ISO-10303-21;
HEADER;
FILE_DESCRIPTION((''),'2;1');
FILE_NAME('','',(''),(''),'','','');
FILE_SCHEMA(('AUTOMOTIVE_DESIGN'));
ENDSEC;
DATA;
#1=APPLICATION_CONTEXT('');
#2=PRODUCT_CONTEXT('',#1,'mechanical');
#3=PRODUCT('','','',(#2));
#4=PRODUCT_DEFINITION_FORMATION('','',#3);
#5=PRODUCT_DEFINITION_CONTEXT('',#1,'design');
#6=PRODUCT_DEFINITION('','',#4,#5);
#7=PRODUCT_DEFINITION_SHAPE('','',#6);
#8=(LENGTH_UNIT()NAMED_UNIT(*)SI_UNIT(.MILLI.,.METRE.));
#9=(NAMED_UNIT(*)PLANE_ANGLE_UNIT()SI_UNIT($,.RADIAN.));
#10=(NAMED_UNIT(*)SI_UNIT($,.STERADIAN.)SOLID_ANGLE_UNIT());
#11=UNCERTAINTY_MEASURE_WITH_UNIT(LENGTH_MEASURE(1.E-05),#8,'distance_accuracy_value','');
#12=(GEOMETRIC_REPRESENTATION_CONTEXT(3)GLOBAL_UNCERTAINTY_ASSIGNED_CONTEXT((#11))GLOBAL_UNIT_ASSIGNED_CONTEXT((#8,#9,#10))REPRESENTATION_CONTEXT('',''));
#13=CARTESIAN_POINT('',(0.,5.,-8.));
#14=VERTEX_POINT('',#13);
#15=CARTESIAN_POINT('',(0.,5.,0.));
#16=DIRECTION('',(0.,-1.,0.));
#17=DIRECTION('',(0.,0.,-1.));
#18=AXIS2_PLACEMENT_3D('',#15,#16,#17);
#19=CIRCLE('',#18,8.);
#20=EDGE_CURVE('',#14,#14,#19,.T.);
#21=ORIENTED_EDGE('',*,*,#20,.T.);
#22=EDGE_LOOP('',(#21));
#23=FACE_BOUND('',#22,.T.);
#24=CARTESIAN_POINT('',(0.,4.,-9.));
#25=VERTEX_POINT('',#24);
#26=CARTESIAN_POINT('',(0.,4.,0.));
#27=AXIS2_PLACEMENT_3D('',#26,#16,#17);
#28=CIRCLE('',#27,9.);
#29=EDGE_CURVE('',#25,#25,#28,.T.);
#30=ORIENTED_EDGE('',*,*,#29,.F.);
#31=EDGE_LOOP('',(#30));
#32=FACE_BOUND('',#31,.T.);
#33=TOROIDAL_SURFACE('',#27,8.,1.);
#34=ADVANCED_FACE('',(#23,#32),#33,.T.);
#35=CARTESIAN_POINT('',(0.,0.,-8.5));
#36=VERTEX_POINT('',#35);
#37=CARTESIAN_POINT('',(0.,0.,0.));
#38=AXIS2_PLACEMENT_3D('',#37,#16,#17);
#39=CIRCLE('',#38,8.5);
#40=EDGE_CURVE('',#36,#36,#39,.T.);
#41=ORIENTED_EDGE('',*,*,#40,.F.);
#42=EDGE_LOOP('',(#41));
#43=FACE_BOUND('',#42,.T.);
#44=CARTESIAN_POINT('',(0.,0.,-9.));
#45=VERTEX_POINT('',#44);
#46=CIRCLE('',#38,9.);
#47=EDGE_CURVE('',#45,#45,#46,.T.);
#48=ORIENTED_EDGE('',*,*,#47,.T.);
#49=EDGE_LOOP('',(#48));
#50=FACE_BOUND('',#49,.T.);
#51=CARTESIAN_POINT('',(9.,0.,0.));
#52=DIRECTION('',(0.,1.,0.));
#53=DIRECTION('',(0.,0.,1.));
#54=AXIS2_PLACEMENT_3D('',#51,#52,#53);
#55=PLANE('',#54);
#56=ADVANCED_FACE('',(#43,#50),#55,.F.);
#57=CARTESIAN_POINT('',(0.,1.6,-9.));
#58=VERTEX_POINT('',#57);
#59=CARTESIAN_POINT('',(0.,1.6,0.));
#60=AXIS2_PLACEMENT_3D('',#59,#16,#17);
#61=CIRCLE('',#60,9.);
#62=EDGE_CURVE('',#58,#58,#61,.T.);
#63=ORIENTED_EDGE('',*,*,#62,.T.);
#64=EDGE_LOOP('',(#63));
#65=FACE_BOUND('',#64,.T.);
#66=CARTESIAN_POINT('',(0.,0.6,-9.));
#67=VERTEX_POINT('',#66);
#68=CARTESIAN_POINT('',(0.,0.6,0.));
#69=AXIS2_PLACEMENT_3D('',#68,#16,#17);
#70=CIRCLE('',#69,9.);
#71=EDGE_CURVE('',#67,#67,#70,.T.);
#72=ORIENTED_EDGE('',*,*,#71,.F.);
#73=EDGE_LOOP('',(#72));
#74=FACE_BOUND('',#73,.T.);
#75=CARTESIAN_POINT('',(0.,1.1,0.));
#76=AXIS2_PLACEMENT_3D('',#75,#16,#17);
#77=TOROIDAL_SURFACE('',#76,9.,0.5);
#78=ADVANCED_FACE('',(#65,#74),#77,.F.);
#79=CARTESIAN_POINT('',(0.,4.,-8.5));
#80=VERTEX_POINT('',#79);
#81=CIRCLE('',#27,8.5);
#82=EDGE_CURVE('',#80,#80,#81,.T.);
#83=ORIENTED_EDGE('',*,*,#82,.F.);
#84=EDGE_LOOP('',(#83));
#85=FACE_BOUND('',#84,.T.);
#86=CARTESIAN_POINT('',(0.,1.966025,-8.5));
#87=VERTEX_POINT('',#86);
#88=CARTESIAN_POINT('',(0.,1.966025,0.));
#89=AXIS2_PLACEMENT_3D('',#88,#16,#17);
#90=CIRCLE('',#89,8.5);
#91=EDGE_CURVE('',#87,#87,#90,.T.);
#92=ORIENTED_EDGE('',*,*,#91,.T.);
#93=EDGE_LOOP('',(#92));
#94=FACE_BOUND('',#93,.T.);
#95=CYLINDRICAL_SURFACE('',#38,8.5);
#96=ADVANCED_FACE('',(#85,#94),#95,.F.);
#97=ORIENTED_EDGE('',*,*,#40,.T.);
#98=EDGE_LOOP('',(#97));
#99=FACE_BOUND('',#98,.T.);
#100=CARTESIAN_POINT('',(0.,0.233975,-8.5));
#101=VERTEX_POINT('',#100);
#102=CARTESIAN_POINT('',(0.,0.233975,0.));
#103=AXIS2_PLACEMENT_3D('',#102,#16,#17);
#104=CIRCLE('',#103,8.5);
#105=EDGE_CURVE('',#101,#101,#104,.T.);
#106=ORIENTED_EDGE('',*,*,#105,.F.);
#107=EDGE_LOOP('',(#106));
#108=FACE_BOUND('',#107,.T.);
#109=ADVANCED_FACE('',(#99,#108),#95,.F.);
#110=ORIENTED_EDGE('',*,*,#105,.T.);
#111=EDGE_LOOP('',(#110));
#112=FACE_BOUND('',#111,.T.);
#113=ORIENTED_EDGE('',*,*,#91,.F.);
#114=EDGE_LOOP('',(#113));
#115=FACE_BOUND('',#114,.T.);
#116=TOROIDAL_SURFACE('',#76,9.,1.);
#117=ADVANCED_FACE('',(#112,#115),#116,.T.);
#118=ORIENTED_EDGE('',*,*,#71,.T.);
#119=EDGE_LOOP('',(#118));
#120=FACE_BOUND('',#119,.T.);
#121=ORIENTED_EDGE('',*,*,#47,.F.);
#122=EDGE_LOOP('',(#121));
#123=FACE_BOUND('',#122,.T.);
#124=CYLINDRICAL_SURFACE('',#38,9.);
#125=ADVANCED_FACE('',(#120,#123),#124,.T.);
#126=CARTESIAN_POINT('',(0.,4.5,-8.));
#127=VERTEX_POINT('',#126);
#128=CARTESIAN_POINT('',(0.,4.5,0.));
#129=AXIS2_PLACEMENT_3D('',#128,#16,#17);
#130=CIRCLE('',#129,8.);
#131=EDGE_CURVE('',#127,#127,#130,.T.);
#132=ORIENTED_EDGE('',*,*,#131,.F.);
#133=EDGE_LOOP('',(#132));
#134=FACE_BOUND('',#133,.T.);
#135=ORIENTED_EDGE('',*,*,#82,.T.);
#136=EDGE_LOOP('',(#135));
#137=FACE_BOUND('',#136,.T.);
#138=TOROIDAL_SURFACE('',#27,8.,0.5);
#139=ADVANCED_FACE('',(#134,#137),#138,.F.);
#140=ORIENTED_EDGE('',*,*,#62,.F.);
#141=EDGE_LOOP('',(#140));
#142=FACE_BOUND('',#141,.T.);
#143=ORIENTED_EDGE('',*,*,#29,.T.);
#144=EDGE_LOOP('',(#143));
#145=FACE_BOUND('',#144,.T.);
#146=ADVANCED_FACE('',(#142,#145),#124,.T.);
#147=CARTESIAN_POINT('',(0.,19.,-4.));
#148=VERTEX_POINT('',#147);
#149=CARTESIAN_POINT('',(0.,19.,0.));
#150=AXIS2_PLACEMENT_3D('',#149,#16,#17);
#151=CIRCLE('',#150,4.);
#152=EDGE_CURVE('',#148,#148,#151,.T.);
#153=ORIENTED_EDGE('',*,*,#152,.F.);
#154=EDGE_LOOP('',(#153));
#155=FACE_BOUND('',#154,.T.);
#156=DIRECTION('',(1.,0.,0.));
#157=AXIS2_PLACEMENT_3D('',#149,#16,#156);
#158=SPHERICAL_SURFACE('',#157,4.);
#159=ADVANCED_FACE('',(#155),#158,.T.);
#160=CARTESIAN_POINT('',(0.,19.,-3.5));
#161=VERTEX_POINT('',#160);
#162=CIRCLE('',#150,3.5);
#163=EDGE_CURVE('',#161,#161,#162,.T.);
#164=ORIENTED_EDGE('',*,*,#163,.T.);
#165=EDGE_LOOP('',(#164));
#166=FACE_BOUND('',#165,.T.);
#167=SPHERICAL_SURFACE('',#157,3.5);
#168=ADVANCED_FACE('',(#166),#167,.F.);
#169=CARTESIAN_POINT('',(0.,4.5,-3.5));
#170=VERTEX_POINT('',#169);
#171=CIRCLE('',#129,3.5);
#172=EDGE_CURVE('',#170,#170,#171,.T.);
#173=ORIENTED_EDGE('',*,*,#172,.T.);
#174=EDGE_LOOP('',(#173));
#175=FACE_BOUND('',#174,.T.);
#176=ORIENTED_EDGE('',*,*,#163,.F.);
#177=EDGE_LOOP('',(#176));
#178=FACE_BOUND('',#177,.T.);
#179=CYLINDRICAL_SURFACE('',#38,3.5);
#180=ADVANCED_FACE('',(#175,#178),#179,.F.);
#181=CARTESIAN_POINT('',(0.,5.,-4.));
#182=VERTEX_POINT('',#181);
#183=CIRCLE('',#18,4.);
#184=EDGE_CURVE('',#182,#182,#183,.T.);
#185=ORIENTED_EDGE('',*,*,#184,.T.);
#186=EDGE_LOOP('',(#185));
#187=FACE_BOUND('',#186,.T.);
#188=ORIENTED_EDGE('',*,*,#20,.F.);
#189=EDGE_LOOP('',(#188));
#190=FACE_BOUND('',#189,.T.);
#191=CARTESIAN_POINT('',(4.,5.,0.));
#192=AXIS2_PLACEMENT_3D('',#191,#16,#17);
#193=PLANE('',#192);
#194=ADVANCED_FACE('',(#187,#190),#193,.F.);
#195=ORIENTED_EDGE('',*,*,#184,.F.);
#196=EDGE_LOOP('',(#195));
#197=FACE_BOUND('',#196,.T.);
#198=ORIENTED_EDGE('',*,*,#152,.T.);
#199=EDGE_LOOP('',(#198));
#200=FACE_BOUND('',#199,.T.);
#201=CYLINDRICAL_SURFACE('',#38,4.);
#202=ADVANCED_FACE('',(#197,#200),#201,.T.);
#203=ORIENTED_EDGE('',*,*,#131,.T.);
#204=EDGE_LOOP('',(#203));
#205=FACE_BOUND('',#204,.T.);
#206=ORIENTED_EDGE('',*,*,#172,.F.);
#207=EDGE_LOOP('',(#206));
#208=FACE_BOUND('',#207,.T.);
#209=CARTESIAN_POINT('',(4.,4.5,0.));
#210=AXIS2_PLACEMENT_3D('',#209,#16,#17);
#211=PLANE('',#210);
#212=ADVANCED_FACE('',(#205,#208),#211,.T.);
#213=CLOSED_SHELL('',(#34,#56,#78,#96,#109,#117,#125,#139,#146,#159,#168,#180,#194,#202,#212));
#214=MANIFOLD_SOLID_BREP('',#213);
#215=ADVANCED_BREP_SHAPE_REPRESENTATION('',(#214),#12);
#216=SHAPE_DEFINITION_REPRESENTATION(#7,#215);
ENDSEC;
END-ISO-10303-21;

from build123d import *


with BuildPart() as part:
    # Sketch1 → Revolve-Thin1 (revolve)
    with BuildSketch(Plane.XY, mode=Mode.PRIVATE) as revolve_thin1_sk:
        with BuildLine():
            ThreePointArc((0, 23), (2.828427125, 21.828427125), (4, 19))
            Line((4, 19), (4, 5))
            Line((4, 5), (8, 5))
            ThreePointArc((8, 5), (8.707106781, 4.707106781), (9, 4))
            Line((9, 4), (9, 1.6))
            ThreePointArc((9, 1.6), (8.5, 1.1), (9, 0.6))
            Line((9, 0.6), (9, 0))
            Line((9, 0), (8.5, 0))
            Line((8.5, 0), (8.5, 0.233974596))
            ThreePointArc((8.5, 0.233974596), (8, 1.1), (8.5, 1.966025404))
            Line((8.5, 1.966025404), (8.5, 4))
            ThreePointArc((8.5, 4), (8.353553391, 4.353553391), (8, 4.5))
            Line((8, 4.5), (3.5, 4.5))
            Line((3.5, 4.5), (3.5, 19))
            ThreePointArc((3.5, 19), (2.474873734, 21.474873734), (0, 22.5))
            Line((0, 22.5), (0, 23))
        make_face()
    revolve(revolve_thin1_sk.sketch.rotate(Axis((0, 0, 0), (0, 1, 0)), 90), axis=Axis((0, 0, 0), (0, 1, 0)))


solid = part.part
